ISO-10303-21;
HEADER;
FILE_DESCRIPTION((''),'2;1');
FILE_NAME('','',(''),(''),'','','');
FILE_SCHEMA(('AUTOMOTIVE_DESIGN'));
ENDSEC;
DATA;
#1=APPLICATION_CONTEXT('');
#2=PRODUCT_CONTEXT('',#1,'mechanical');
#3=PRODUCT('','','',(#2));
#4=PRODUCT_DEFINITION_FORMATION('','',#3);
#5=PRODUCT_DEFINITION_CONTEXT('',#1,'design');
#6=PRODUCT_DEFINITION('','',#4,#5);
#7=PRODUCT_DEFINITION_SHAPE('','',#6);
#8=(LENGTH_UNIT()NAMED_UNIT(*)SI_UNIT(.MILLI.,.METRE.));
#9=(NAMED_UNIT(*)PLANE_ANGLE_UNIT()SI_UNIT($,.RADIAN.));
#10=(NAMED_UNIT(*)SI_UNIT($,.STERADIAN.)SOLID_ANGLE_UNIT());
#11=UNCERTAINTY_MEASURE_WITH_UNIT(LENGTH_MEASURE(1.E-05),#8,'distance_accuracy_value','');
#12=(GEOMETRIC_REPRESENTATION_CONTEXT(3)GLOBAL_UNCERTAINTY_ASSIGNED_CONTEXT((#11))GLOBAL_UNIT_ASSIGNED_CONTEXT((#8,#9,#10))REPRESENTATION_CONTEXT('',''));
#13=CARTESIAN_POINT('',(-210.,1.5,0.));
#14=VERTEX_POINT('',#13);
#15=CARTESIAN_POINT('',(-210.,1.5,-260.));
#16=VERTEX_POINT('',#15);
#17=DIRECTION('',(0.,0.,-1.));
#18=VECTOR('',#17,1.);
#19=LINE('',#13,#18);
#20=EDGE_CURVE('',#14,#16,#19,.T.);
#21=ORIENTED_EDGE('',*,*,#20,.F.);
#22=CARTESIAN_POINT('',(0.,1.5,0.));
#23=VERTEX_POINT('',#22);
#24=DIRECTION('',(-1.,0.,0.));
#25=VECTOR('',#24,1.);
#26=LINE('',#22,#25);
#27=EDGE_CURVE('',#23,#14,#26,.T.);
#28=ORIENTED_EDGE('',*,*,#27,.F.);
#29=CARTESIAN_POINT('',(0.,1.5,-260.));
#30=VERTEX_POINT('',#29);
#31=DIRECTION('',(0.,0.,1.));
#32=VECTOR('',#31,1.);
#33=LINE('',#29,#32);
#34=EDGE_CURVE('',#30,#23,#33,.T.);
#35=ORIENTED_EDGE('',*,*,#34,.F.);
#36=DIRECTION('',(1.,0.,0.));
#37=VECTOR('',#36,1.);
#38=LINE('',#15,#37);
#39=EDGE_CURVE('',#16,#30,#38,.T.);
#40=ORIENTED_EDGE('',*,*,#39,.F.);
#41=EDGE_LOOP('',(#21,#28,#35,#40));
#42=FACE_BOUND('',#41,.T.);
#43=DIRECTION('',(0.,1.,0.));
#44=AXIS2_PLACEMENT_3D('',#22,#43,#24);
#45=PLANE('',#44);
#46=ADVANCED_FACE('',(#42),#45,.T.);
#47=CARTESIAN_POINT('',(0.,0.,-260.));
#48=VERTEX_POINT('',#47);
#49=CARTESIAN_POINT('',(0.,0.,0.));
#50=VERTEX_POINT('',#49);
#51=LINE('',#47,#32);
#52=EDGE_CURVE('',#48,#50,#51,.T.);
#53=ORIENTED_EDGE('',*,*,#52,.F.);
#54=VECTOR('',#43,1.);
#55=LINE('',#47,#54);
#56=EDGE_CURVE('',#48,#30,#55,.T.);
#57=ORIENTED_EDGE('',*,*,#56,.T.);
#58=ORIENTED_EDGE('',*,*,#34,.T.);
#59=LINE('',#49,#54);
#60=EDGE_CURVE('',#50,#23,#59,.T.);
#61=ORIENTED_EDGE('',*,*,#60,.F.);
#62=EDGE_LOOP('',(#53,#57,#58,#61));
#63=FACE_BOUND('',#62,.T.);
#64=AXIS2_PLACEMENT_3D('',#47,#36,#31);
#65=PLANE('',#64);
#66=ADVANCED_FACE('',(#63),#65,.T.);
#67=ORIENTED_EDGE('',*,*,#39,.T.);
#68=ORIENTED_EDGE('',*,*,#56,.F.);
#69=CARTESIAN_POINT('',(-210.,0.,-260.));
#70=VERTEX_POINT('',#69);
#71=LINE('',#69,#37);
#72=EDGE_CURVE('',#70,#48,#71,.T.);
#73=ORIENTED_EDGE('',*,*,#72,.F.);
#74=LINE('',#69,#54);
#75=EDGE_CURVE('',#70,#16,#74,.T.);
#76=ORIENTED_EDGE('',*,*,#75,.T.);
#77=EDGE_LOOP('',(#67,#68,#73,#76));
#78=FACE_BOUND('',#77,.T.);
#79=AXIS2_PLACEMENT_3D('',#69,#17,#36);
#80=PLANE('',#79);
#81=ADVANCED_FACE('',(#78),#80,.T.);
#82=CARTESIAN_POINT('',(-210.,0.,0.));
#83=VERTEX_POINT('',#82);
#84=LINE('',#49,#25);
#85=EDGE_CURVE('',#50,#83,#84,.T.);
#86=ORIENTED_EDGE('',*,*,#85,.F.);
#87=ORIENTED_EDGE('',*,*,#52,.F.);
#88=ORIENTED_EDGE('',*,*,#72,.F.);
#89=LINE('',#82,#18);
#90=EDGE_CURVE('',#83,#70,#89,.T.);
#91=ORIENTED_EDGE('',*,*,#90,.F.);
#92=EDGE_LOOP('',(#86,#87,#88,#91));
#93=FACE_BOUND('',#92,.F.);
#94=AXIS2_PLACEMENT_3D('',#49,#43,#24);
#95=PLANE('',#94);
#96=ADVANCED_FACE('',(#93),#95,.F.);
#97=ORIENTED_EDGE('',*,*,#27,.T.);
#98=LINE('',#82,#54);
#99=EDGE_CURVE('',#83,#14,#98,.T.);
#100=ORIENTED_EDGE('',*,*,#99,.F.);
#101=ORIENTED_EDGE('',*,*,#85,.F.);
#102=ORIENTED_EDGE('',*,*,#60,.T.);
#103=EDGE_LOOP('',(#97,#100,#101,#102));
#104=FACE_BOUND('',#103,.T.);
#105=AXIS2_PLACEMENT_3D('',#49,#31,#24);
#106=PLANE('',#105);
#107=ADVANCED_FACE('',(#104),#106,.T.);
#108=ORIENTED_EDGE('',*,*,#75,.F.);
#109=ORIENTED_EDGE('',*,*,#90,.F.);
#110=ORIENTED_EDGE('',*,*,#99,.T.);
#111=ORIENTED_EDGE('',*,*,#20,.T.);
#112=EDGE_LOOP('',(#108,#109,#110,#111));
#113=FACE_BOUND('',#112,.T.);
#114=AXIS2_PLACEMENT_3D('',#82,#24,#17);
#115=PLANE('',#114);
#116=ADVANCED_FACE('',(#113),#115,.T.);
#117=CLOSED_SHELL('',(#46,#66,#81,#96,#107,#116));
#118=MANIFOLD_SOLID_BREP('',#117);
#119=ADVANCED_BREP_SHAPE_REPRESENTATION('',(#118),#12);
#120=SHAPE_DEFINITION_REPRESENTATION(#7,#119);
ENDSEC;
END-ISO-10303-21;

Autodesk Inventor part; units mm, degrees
ref_plane "YZ Plane" through (0, 0, 0) normal (1, 0, 0) x (0, 1, 0)
ref_plane "XZ Plane" through (0, 0, 0) normal (0, 1, 0) x (-1, 0, 0)
ref_plane "XY Plane" through (0, 0, 0) normal (0, 0, 1) x (1, 0, 0)
sketch "Sketch1" plane through (0, 0, 0) normal (0, 1, 0) x (-1, 0, 0)
  line L0 (0, 0) -> (210, 0)
  line L1 (210, 0) -> (210, -260)
  line L2 (210, -260) -> (0, -260)
  line L3 (0, -260) -> (0, 0)
  dimension "d0" = 210
  dimension "d1" = 260
extrude "Extrusion1" add sketch "Sketch1" along normal blind 1.5
properties part number "Ultibots200x250HeatSpreader" material "Aluminum 6061"
